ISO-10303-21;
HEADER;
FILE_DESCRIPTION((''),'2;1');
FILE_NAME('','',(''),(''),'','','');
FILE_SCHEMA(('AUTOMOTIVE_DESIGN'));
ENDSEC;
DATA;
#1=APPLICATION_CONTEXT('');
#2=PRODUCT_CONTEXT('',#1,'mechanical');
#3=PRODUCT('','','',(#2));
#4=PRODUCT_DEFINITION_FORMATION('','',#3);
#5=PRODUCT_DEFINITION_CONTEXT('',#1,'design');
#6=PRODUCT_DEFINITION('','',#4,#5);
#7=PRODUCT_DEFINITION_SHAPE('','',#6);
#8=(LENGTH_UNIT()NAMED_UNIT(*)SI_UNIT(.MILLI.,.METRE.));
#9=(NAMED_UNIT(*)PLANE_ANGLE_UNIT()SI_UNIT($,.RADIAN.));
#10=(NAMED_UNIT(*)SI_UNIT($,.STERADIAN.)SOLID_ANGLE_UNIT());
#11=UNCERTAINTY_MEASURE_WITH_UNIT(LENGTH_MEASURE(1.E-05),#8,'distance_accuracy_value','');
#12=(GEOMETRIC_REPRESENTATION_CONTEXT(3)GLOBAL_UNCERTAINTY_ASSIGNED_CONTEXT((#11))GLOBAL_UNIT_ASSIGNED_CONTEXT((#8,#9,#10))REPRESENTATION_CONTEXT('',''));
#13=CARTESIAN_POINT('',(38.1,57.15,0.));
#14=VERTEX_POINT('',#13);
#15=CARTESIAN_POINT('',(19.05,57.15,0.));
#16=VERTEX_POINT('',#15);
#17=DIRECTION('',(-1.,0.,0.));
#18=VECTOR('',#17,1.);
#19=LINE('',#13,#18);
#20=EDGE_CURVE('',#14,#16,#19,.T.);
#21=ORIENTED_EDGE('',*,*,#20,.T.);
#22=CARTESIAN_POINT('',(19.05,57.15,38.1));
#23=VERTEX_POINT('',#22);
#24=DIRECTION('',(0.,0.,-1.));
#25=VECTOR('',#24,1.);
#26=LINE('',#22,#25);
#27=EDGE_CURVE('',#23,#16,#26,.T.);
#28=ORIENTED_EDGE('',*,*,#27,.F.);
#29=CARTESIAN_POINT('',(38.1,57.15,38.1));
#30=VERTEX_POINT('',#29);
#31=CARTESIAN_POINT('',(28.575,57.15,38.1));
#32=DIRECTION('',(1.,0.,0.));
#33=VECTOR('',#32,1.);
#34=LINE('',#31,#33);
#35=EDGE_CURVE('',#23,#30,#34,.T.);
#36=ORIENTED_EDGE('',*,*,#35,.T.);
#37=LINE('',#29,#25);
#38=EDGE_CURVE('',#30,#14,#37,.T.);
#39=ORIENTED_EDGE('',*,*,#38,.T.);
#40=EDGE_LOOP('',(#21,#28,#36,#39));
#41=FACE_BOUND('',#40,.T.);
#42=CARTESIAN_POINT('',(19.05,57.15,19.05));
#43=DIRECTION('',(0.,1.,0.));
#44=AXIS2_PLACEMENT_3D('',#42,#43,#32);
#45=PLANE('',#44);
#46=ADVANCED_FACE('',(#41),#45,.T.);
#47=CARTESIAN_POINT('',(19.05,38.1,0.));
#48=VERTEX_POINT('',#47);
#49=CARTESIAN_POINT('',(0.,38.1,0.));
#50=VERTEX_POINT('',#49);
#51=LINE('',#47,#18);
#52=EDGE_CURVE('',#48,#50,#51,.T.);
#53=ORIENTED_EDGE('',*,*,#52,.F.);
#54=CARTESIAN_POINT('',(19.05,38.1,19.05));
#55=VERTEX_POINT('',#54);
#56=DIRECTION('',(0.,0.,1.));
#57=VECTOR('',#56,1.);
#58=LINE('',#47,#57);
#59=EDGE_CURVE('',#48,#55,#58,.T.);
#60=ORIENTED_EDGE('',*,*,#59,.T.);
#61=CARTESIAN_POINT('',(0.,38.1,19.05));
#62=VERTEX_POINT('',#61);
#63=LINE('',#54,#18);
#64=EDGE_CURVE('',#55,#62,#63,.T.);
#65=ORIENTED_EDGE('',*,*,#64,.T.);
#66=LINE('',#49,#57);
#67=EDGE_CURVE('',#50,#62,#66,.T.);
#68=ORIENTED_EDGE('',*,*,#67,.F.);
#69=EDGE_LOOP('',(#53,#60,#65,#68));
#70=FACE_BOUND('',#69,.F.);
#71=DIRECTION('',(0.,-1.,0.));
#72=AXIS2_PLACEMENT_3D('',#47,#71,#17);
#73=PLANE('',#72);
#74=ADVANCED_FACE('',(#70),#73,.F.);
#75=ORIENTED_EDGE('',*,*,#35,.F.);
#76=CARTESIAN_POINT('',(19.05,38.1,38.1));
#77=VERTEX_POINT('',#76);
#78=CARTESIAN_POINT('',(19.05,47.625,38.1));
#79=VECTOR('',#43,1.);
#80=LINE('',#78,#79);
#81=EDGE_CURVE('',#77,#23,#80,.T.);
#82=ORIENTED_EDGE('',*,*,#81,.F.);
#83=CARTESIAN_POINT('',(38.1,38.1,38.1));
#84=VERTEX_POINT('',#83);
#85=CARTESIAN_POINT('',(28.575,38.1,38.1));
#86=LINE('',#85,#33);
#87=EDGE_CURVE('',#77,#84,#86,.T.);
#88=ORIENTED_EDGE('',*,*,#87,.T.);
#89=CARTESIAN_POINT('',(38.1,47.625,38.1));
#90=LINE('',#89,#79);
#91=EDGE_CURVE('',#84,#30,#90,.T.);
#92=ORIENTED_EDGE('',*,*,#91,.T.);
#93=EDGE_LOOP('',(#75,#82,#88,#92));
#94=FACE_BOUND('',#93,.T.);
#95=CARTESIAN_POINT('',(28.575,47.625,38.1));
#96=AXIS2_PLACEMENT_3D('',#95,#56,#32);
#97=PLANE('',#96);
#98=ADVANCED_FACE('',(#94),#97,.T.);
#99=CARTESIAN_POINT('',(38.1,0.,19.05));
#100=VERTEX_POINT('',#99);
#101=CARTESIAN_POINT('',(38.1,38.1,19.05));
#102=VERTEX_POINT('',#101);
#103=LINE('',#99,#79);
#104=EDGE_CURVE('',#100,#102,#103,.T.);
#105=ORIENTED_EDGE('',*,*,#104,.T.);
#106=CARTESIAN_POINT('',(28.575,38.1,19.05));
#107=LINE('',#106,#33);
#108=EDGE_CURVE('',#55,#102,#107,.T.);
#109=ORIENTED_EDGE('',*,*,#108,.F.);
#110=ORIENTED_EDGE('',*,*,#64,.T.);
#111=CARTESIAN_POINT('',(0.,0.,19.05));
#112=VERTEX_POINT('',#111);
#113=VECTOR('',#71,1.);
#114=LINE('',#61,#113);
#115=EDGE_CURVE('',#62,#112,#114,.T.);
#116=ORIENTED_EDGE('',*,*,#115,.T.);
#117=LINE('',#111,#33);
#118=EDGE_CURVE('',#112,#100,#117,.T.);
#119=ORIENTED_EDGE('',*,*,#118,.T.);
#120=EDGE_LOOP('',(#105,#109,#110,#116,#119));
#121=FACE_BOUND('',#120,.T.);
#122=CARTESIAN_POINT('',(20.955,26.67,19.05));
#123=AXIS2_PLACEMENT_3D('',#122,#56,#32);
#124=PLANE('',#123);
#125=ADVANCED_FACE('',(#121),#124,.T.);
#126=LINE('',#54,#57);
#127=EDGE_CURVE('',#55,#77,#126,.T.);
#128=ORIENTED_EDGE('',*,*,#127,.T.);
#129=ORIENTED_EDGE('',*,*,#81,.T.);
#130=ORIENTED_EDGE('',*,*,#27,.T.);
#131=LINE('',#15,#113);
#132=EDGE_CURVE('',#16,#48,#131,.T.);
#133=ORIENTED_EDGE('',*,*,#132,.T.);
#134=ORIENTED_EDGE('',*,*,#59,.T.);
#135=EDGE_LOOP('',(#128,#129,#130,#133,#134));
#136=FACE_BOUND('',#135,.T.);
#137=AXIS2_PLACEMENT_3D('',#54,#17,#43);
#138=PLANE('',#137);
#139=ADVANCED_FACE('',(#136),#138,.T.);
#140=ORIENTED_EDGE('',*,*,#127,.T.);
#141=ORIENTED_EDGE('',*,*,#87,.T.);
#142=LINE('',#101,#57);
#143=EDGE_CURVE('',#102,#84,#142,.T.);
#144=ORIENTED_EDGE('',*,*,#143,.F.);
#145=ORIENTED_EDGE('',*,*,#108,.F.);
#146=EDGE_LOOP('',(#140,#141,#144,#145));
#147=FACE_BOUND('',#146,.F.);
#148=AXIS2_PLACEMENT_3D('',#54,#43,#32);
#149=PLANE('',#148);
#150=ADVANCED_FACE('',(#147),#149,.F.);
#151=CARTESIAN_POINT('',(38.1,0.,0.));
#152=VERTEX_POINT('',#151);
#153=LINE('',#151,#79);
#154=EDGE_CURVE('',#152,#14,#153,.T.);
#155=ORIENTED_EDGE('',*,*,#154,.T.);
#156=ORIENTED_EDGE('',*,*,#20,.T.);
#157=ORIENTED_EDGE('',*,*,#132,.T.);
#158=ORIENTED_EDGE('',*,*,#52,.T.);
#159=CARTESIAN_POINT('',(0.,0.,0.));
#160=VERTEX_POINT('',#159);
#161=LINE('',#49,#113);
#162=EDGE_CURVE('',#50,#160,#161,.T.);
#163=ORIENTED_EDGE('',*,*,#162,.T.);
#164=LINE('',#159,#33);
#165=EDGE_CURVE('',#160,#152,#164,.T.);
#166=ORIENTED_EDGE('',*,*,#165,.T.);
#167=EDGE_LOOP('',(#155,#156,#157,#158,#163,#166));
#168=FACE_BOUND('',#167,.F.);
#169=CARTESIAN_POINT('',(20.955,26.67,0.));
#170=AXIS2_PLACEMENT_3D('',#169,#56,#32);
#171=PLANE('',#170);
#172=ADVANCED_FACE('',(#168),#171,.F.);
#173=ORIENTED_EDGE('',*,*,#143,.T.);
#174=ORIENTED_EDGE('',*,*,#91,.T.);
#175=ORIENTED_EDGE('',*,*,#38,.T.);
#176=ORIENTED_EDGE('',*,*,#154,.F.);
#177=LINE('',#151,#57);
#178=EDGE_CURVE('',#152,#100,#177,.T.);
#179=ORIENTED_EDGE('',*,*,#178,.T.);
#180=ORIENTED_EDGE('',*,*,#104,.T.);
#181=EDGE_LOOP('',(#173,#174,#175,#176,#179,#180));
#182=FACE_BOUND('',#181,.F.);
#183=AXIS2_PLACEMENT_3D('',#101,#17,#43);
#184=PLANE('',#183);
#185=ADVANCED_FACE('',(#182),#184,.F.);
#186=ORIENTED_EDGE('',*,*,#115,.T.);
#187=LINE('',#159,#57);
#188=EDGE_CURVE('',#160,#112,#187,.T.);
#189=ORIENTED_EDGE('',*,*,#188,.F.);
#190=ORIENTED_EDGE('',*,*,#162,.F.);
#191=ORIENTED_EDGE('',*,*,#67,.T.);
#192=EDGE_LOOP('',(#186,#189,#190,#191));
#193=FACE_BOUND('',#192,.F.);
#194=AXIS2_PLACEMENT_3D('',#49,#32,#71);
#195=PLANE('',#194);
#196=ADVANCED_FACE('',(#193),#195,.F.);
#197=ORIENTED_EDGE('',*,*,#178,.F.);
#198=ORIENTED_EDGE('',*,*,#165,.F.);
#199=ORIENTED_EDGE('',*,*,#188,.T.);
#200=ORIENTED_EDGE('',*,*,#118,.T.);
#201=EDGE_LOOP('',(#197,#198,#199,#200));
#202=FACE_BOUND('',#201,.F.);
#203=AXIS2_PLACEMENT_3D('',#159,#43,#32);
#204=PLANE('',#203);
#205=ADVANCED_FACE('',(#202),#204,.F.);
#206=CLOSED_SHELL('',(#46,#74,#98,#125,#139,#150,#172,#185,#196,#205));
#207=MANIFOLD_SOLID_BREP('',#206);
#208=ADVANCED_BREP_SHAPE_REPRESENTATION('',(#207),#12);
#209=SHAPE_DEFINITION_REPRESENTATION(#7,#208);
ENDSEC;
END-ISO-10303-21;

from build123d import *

# Parameters (mm, degrees)
F1_DEPTH = 19.05
F2_W     = 19.05
F2_H     = 19.05
F3_DEPTH = 19.05


with BuildPart() as f1:
    # F0 (on Top) → F1 (new body)
    with BuildSketch(Plane.XY):
        Polygon((0, 38.1), (0, 0), (38.1, 0), (38.1, 38.1), (38.1, 57.15), (19.05, 57.15), (19.05, 38.1), align=None)
    extrude(amount=F1_DEPTH)

    # F2 (on face) → F3 (join)
    with BuildSketch(Plane.XY.offset(19.05)):
        with Locations((28.575, 47.625)):
            Rectangle(F2_W, F2_H)
    extrude(amount=F3_DEPTH)


solid = f1.part
